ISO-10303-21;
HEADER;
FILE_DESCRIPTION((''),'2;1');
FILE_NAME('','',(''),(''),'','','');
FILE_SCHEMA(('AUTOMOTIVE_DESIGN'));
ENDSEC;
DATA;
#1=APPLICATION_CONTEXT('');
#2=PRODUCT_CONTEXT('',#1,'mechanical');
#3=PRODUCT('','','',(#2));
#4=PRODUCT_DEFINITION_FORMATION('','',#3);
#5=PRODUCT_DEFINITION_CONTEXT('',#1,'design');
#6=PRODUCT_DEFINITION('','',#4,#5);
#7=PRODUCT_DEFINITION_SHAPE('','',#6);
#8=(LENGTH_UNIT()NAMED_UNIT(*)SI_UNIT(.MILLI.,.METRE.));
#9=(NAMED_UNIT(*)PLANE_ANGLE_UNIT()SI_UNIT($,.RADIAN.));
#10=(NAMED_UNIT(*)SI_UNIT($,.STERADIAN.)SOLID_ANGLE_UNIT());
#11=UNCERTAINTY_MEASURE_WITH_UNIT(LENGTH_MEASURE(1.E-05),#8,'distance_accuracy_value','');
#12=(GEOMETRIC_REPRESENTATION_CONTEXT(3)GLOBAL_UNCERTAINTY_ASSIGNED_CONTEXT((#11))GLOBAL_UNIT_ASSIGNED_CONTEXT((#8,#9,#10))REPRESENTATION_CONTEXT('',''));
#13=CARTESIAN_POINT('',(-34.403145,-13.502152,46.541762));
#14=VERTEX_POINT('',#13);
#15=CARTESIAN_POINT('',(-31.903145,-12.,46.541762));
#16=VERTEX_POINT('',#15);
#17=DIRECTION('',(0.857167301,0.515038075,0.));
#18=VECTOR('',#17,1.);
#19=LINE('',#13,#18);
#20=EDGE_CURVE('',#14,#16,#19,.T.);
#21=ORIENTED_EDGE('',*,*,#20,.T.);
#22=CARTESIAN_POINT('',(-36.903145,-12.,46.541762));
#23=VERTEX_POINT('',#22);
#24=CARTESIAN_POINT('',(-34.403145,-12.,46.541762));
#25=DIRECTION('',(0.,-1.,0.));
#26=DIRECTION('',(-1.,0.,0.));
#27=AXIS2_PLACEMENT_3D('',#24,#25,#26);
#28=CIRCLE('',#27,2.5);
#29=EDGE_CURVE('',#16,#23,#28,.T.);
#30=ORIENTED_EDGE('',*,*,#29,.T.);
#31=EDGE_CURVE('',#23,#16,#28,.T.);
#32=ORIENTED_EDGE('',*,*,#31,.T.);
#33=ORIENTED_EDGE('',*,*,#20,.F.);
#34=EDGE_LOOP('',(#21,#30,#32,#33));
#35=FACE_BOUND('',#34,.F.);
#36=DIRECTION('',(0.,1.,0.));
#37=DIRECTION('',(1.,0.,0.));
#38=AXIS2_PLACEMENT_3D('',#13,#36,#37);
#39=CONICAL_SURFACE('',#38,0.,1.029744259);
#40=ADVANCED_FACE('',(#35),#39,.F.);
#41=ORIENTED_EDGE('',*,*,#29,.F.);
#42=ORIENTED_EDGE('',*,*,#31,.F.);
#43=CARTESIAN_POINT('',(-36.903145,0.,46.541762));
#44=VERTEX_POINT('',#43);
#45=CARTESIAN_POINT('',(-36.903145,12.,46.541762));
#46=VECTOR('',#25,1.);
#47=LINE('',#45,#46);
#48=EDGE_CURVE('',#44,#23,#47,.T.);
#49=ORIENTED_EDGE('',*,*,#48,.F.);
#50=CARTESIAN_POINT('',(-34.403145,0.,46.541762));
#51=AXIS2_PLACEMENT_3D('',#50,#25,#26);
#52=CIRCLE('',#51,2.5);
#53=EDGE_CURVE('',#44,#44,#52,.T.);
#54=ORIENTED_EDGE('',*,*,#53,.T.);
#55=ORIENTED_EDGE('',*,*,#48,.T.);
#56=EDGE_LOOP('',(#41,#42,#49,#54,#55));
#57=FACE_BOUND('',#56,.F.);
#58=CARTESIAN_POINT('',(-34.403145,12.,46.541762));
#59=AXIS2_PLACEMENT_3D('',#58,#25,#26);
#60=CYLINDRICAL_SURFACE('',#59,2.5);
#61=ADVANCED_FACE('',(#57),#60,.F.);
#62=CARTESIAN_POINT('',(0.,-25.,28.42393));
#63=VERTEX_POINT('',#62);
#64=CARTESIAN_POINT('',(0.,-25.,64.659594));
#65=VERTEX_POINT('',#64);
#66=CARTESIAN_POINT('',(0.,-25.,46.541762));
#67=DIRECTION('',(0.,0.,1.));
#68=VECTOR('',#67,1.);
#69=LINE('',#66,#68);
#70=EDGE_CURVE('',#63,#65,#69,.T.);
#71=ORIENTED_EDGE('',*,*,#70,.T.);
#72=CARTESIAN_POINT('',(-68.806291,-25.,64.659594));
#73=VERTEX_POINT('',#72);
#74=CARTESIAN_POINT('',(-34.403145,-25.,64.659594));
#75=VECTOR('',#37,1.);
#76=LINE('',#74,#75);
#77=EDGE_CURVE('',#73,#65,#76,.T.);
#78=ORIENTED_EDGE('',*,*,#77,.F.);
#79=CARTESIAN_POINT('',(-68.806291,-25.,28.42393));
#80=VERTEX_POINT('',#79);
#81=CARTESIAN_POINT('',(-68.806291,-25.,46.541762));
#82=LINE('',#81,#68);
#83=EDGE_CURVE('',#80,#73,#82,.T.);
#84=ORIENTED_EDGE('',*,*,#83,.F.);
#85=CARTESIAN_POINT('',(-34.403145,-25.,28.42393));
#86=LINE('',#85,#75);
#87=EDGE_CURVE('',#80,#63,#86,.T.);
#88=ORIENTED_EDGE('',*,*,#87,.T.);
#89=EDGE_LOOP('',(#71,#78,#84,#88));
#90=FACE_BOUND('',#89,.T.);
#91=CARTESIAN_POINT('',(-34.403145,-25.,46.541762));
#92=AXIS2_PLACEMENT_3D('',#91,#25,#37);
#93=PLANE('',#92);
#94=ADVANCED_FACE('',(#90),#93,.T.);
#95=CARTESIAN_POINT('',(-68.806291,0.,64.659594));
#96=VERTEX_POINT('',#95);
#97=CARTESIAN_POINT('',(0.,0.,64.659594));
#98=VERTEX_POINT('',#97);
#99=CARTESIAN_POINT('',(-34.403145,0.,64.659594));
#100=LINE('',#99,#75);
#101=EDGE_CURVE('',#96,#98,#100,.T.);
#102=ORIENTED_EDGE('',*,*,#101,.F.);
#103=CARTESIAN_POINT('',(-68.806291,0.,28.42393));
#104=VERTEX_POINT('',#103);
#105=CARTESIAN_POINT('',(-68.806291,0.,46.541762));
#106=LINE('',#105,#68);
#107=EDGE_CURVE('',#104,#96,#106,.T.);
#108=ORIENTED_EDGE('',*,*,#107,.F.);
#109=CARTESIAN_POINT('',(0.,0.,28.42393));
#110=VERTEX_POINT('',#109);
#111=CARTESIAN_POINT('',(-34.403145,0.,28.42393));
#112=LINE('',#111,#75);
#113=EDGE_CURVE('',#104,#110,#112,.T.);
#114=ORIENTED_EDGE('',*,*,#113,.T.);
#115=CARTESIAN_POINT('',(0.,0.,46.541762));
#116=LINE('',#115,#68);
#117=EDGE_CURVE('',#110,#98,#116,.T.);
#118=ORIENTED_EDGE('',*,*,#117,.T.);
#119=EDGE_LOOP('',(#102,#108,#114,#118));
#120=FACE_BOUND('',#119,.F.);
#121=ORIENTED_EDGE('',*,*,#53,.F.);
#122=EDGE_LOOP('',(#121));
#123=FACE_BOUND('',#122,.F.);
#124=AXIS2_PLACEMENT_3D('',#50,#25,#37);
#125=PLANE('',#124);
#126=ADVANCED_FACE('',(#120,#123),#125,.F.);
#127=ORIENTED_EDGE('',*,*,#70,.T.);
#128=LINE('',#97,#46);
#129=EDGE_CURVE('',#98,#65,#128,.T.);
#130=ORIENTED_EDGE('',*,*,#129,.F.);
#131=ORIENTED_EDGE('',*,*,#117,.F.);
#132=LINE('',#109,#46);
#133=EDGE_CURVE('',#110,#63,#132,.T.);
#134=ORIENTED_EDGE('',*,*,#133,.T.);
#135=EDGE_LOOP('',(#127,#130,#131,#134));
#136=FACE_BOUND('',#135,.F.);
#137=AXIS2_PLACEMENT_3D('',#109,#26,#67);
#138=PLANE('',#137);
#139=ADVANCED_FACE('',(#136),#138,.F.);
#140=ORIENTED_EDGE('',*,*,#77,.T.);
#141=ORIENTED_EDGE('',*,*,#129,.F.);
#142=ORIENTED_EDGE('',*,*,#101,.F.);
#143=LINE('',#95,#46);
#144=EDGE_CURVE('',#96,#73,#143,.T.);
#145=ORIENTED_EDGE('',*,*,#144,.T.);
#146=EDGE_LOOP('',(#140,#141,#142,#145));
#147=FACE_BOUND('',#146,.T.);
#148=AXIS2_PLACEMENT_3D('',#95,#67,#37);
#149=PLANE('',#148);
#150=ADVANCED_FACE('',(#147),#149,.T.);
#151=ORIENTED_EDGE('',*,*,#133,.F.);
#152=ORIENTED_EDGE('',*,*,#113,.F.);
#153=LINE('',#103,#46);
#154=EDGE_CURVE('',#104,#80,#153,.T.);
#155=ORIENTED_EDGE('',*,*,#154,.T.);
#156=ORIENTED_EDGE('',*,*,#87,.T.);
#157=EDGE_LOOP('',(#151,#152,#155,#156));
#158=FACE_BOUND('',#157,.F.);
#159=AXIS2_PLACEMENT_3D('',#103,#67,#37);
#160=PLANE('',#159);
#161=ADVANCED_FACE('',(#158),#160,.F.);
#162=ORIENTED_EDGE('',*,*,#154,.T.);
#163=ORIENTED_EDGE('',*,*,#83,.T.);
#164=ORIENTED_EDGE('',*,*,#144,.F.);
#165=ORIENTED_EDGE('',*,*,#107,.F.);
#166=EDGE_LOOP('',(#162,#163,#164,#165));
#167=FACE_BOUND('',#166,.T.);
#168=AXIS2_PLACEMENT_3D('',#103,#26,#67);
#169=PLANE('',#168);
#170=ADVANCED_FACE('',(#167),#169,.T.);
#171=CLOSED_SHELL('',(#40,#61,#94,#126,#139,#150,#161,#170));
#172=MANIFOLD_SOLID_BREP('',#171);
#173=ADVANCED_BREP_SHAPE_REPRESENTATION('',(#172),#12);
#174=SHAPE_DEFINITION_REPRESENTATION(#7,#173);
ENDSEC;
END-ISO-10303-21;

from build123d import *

# Parameters (mm, degrees)
F0_W     = 68.8062906265
F0_H     = 36.2356640399
F1_DEPTH = 25
F2_D     = 5
F2_DEPTH = 12
F2_TIP   = 1.5021515476


with BuildPart() as f1:
    # F0 (on Front) → F1 (new body)
    with BuildSketch(Plane.XZ):
        with Locations((-34.4031453133, 46.5417616069)):
            Rectangle(F0_W, F0_H)
    extrude(amount=F1_DEPTH)

    # F2
    with Locations(Plane(origin=(0, 0, 0), x_dir=(1, 0, 0), z_dir=(0, 1, 0))):
        with Locations((-34.4031453133, -46.5417616069)):
            Hole(F2_D / 2, depth=F2_DEPTH)
            with Locations((0, 0, -(F2_DEPTH + F2_TIP / 2))):  # 118° drill point
                Cone(0, F2_D / 2, F2_TIP, mode=Mode.SUBTRACT)


solid = f1.part
